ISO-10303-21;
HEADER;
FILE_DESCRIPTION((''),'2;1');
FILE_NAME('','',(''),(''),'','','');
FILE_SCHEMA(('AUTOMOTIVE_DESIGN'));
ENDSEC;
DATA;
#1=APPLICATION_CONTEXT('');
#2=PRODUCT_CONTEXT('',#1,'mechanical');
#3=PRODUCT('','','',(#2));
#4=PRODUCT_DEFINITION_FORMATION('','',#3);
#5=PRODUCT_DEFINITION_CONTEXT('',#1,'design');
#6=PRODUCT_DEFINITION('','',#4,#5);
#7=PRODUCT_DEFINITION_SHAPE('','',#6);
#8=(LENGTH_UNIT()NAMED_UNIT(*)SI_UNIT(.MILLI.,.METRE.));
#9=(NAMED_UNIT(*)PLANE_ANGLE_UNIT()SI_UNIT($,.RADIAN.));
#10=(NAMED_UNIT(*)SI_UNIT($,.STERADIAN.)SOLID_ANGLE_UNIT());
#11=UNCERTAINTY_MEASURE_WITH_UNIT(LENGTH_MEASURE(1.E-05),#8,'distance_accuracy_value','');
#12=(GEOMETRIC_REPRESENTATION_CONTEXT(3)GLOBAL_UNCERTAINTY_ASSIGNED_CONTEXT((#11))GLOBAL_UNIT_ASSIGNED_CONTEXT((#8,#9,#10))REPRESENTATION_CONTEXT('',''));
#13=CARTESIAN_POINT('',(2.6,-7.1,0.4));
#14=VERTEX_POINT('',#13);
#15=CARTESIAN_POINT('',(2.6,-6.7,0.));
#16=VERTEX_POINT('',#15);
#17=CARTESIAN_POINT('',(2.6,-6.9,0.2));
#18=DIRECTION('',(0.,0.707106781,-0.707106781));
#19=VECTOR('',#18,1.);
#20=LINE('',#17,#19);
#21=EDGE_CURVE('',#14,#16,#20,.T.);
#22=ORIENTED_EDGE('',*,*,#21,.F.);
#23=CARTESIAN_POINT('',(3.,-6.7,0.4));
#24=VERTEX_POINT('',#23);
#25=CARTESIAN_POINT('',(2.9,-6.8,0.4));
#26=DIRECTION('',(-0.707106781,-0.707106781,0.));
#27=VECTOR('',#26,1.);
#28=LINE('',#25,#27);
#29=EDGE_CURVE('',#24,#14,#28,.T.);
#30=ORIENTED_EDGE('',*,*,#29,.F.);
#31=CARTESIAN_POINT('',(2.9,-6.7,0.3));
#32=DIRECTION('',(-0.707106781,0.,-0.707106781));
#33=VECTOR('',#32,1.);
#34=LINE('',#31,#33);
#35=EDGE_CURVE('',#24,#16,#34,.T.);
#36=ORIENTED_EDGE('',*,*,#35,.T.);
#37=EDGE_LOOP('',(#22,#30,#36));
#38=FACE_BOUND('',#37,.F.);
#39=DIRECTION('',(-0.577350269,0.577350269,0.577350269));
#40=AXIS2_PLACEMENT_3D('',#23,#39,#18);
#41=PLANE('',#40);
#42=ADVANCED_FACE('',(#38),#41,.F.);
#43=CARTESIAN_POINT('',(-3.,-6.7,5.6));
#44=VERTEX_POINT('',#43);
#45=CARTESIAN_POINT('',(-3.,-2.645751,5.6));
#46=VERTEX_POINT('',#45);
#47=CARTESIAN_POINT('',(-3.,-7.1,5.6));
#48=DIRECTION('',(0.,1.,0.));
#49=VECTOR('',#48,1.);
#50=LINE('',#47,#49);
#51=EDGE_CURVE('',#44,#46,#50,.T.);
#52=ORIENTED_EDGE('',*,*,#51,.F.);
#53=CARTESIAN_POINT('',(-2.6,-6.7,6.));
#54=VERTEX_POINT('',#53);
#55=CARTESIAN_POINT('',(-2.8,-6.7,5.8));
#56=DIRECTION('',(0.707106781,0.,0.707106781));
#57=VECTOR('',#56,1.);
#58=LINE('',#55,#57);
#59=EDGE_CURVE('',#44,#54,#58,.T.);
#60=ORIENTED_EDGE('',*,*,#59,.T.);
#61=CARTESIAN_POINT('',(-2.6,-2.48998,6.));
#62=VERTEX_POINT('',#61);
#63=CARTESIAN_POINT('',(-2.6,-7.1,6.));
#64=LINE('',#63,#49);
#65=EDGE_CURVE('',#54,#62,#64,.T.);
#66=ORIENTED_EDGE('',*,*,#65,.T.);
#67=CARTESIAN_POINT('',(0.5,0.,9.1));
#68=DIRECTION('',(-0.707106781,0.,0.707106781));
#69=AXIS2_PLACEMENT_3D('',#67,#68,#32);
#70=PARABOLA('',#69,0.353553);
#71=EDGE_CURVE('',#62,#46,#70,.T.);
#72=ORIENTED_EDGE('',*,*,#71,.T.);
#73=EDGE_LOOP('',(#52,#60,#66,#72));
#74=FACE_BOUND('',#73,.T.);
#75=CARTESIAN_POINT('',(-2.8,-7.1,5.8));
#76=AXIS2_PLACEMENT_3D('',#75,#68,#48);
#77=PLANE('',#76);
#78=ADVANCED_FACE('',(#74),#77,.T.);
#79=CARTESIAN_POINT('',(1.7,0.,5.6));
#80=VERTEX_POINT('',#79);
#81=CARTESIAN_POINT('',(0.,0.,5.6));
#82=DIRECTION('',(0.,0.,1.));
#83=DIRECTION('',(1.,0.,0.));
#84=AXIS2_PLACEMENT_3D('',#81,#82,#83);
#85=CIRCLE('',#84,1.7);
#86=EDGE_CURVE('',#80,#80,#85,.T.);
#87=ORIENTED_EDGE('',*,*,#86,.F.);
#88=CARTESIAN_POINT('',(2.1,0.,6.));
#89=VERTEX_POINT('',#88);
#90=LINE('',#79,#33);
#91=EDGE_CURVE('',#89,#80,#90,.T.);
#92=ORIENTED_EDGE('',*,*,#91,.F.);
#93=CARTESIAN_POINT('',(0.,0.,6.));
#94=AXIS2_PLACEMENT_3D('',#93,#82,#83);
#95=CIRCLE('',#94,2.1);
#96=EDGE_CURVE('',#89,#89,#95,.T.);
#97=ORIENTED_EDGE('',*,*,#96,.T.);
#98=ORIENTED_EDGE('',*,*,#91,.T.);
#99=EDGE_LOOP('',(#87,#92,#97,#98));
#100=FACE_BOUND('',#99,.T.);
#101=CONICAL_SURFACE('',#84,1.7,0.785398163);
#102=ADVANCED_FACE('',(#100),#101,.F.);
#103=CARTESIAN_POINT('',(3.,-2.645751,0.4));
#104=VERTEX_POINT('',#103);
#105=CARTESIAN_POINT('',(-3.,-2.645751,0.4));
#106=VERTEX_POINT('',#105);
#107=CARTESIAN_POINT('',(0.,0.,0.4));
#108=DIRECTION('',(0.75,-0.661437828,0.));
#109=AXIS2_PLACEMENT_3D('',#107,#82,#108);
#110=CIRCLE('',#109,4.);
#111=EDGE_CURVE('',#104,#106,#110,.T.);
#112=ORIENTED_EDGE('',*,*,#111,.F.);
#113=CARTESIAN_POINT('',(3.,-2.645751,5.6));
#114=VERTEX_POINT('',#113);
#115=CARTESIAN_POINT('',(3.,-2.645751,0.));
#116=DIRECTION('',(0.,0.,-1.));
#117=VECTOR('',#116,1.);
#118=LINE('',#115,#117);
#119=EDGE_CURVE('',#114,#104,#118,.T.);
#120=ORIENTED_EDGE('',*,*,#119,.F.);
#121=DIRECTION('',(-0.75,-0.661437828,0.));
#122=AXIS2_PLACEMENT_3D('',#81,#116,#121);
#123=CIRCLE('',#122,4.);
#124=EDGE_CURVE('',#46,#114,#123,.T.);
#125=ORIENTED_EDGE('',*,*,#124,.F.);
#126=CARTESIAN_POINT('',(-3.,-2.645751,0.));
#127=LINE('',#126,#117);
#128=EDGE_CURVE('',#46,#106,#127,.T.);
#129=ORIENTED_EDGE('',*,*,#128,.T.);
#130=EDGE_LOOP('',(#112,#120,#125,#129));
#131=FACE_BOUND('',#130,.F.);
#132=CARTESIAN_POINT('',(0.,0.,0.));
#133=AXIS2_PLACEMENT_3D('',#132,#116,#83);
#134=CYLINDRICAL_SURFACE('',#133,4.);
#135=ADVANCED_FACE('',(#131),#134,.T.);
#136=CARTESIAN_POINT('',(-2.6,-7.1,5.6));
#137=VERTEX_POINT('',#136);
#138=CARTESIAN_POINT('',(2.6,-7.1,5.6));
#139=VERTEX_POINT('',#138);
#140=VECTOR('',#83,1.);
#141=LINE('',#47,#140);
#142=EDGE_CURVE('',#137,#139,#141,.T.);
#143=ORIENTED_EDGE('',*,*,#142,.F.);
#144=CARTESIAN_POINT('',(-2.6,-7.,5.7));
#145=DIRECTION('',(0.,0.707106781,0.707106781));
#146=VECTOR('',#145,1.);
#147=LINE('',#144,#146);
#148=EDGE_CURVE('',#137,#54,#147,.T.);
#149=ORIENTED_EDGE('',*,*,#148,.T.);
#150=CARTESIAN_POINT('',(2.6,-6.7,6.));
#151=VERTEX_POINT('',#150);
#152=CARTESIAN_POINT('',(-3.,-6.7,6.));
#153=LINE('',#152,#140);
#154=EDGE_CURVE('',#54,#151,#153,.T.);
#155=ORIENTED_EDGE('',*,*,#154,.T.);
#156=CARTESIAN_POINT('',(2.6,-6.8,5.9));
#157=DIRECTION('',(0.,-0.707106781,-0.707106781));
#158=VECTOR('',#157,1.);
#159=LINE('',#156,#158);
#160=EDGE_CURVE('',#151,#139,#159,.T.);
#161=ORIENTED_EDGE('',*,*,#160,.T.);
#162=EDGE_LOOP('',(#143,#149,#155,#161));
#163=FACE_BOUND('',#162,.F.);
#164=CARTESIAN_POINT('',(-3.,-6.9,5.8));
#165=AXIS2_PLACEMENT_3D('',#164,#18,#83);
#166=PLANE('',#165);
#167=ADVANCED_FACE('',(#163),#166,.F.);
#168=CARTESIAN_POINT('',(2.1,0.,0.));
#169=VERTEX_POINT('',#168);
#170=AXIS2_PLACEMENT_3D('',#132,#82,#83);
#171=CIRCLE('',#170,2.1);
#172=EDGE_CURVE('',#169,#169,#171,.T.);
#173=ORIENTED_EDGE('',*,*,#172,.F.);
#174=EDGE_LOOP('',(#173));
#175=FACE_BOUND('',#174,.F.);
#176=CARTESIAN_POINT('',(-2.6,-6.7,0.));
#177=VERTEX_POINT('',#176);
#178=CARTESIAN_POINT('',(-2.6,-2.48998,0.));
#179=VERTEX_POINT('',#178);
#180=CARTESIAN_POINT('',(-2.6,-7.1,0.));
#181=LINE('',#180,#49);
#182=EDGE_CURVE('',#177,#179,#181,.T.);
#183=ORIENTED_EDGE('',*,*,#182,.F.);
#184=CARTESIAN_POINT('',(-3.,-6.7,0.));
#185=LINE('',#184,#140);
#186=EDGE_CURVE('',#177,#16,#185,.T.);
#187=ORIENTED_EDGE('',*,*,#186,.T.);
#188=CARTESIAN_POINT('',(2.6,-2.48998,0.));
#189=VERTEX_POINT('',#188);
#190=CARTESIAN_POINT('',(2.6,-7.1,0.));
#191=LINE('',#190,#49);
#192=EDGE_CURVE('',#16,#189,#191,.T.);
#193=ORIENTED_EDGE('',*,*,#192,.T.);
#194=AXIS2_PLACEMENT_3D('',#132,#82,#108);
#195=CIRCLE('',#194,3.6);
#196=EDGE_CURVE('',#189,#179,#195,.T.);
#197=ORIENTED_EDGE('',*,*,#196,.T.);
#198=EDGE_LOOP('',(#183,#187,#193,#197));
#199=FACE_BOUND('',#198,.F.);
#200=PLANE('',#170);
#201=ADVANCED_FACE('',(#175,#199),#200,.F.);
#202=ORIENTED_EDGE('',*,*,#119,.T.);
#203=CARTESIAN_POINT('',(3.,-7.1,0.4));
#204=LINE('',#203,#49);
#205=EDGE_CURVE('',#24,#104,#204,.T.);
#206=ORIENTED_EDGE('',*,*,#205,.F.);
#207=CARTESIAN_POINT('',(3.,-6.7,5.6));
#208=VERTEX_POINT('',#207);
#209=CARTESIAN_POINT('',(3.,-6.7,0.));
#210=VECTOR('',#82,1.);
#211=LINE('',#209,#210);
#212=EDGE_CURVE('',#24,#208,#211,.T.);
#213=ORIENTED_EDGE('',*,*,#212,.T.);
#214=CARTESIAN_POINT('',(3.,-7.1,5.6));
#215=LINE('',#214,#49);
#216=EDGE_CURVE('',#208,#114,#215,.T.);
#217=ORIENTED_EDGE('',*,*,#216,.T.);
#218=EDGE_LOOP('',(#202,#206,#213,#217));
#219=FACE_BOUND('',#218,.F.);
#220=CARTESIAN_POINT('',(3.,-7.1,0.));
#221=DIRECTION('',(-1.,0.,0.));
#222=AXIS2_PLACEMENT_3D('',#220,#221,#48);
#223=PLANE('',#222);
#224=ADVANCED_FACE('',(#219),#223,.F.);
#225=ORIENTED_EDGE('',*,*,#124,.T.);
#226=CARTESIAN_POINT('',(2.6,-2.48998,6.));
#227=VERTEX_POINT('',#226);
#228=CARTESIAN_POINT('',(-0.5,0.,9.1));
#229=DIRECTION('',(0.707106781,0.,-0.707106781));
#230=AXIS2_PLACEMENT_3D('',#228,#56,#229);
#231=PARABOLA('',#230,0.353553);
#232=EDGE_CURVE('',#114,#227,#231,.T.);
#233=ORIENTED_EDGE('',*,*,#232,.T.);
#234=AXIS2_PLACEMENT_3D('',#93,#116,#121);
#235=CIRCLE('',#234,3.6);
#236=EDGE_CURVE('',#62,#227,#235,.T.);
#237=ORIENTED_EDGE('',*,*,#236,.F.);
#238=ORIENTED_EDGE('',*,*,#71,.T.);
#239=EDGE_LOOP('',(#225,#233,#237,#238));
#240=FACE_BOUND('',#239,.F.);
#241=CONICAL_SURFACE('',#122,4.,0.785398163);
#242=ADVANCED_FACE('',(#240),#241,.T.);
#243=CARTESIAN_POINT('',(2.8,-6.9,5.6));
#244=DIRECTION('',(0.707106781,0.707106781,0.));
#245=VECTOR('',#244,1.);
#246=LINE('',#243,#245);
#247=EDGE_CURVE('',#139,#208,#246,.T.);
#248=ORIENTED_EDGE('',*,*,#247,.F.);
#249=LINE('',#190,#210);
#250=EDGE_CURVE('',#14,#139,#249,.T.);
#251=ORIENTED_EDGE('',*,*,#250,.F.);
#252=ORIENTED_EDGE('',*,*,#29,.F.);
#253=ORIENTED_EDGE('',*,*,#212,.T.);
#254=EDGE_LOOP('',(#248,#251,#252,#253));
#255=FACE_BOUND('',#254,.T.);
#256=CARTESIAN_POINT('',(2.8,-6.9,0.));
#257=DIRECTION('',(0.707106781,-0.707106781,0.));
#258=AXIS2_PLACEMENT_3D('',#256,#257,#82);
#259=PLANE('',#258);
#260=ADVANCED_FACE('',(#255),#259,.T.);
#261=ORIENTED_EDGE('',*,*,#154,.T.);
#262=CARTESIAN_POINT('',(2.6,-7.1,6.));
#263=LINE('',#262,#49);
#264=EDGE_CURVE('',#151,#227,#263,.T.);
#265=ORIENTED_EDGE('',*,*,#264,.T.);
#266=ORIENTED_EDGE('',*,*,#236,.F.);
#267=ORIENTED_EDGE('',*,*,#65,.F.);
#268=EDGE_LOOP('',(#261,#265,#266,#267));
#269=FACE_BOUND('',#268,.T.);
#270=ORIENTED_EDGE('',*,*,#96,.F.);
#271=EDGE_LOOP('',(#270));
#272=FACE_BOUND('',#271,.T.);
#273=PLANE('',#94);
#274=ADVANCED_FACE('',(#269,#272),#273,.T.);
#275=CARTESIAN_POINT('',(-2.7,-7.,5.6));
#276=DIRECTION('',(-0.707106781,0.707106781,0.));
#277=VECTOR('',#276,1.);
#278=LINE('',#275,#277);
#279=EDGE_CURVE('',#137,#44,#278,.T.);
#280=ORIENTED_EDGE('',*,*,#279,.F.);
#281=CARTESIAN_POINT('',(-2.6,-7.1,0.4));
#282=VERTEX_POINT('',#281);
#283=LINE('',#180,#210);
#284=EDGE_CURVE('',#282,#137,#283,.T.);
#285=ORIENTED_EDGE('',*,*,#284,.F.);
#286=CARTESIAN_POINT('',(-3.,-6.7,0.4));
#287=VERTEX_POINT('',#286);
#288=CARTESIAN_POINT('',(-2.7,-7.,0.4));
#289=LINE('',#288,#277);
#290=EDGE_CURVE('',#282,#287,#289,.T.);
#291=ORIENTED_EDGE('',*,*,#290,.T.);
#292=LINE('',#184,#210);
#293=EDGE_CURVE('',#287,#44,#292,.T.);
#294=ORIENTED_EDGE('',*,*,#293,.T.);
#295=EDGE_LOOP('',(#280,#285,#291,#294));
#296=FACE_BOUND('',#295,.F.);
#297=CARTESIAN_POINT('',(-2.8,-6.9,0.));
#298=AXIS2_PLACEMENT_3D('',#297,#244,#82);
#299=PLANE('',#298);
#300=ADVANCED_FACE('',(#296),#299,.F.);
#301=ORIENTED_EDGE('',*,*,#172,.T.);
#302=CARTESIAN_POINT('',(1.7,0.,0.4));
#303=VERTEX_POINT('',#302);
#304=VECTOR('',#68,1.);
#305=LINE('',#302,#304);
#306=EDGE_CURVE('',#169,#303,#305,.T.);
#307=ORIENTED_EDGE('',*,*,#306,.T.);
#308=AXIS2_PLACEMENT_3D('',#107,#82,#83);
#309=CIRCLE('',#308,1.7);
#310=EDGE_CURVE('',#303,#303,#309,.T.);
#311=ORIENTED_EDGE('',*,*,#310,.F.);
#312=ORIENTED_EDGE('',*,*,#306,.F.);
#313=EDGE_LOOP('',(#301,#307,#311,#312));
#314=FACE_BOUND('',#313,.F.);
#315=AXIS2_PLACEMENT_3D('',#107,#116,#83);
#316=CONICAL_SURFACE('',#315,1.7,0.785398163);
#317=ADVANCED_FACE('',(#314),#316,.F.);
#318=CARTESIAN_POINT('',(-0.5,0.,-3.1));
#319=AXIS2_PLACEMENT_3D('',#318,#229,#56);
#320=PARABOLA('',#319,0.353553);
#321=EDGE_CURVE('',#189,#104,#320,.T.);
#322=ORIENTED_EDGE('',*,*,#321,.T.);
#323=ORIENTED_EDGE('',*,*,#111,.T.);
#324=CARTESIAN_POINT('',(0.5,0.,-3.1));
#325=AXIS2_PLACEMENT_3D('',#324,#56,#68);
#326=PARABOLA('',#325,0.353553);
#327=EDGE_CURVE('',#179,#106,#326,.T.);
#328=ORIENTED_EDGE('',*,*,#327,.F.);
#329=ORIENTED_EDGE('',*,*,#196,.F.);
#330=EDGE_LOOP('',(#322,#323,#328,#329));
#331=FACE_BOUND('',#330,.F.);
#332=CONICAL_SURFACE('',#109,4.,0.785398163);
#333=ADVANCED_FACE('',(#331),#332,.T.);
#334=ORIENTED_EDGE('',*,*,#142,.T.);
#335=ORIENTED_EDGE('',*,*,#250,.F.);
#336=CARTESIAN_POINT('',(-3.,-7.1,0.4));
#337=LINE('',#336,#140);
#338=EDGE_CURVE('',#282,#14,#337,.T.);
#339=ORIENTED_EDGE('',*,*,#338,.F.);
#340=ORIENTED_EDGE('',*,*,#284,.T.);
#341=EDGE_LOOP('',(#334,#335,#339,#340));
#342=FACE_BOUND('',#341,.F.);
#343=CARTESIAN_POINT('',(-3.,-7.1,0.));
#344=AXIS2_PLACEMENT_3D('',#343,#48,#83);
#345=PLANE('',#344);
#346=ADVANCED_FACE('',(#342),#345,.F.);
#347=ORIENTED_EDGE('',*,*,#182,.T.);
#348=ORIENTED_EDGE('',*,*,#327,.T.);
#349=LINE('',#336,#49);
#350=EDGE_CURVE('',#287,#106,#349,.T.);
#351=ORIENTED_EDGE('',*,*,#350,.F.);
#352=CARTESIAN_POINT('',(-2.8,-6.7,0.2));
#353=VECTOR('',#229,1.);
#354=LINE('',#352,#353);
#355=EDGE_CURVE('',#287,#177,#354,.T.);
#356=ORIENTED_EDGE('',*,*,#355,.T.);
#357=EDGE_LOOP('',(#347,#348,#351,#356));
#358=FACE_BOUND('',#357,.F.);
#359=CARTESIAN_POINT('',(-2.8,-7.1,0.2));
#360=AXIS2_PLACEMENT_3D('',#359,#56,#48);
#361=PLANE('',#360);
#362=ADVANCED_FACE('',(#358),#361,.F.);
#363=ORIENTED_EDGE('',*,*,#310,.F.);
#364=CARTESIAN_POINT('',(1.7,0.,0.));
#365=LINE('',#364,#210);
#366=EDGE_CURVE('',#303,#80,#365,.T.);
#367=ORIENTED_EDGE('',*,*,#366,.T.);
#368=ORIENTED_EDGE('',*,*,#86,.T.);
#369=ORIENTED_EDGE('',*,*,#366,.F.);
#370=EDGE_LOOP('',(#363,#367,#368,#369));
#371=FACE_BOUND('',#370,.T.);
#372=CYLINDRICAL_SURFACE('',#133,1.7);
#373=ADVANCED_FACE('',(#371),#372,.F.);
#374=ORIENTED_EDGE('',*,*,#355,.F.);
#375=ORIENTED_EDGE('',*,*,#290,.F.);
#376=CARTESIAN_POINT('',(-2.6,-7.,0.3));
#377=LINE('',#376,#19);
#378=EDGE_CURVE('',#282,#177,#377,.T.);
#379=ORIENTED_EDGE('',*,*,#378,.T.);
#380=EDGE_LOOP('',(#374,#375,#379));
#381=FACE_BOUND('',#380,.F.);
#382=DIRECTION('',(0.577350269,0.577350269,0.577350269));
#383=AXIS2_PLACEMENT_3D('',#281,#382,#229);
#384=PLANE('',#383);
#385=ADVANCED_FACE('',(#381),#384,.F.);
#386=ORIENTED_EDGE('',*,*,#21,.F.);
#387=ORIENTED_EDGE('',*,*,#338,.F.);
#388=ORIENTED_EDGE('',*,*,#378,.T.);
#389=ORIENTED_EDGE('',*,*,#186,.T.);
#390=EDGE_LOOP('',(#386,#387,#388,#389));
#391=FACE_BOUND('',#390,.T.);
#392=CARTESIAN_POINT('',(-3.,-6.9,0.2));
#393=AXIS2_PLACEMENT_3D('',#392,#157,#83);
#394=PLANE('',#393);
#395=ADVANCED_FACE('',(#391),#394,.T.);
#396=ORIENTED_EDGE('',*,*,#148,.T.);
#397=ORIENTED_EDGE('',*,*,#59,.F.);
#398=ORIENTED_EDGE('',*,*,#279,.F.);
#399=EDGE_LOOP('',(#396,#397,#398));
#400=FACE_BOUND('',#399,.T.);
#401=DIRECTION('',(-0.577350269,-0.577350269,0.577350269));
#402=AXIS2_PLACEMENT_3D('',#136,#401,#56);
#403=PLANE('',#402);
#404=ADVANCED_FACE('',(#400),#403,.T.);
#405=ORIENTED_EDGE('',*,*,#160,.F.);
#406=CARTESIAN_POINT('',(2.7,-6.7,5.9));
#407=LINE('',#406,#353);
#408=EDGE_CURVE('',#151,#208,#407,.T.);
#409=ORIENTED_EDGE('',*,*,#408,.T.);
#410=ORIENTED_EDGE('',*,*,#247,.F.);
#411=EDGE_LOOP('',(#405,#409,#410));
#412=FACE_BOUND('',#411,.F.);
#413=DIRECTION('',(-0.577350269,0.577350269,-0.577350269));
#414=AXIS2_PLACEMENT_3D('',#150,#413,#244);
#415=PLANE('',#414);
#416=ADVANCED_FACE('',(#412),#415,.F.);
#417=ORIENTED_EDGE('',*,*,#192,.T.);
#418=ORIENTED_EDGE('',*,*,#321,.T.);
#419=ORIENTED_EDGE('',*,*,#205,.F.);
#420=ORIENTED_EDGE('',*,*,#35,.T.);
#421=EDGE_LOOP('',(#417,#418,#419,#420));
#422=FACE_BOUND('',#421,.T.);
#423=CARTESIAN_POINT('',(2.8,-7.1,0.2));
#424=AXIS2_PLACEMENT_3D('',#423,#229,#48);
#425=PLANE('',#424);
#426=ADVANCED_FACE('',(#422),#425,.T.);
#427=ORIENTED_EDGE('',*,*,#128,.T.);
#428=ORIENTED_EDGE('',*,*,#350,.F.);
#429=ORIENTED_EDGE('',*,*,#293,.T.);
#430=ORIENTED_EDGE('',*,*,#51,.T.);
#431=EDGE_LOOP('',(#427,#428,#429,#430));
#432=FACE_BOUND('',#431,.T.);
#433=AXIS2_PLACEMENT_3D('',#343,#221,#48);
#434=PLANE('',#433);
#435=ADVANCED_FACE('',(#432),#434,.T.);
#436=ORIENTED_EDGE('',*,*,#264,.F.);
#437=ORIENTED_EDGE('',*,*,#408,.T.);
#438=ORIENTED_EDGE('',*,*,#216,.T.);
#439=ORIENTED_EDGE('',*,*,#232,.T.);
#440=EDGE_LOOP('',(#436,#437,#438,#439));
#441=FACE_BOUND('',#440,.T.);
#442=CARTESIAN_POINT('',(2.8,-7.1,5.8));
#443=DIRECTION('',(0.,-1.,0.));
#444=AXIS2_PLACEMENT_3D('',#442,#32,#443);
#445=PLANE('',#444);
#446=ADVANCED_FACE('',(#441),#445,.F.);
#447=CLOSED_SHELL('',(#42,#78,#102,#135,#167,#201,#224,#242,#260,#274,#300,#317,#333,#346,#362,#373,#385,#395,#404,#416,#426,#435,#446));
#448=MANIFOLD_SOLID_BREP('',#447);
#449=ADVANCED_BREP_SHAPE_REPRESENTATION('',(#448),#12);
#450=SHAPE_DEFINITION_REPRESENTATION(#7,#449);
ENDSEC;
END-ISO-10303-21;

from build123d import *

# Parameters (mm, degrees)
CYLINDER003_R                              = 1.7
CYLINDER003_DEPTH                          = 6
CYLINDER002_R                              = 4
CYLINDER002_DEPTH                          = 6
BOX027_W                                   = 6
BOX027_H                                   = 8
BOX027_DEPTH                               = 6
CHAMFER009008004003002002004004004005_SIZE = 0.4


with BuildPart() as cylinder003:
    # Cylinder003 → Cylinder003 (new body)
    with BuildSketch(Plane.XY):
        Circle(CYLINDER003_R)
    extrude(amount=CYLINDER003_DEPTH)


with BuildPart() as cylinder002:
    # Cylinder002 → Cylinder002 (new body)
    with BuildSketch(Plane.XY):
        Circle(CYLINDER002_R)
    extrude(amount=CYLINDER002_DEPTH)


with BuildPart() as chamfer009008004003002002004004004005:
    # Box027 → Box027 (new body)
    with BuildSketch(Plane(origin=(-3, -7.1, 0), x_dir=(1, 0, 0), z_dir=(0, 0, 1))):
        with Locations((3, 4)):
            Rectangle(BOX027_W, BOX027_H)
    extrude(amount=BOX027_DEPTH)

    # Fusion001004009018: union Cylinder002
    add(cylinder002.part)

    # Cut049: cut Cylinder003
    add(cylinder003.part, mode=Mode.SUBTRACT)

    # Chamfer009008004003002002004004004005
    chamfer009008004003002002004004004005_edges = [chamfer009008004003002002004004004005.edges().sort_by_distance(p)[0] for p in [
        (-3, -4.872876, 6),
        (-3, -4.872876, 0),
        (-3, -7.1, 3),
        (0, -7.1, 0),
        (3, -7.1, 3),
        (0, -7.1, 6),
        (3, -4.872876, 6),
        (3, -4.872876, 0),
        (3.741657, -1.414214, 6),
        (-1.414214, 3.741657, 6),
        (-0.468095, -1.634285, 6),
        (0, 1.7, 6),
        (1.634285, 0.468095, 6),
        (-0.468095, -1.634285, 0),
        (0, 1.7, 0),
        (1.634285, 0.468095, 0),
        (-1.414214, 3.741657, 0),
        (3.741657, -1.414214, 0),
    ]]
    chamfer(chamfer009008004003002002004004004005_edges, length=CHAMFER009008004003002002004004004005_SIZE)


solid = chamfer009008004003002002004004004005.part
